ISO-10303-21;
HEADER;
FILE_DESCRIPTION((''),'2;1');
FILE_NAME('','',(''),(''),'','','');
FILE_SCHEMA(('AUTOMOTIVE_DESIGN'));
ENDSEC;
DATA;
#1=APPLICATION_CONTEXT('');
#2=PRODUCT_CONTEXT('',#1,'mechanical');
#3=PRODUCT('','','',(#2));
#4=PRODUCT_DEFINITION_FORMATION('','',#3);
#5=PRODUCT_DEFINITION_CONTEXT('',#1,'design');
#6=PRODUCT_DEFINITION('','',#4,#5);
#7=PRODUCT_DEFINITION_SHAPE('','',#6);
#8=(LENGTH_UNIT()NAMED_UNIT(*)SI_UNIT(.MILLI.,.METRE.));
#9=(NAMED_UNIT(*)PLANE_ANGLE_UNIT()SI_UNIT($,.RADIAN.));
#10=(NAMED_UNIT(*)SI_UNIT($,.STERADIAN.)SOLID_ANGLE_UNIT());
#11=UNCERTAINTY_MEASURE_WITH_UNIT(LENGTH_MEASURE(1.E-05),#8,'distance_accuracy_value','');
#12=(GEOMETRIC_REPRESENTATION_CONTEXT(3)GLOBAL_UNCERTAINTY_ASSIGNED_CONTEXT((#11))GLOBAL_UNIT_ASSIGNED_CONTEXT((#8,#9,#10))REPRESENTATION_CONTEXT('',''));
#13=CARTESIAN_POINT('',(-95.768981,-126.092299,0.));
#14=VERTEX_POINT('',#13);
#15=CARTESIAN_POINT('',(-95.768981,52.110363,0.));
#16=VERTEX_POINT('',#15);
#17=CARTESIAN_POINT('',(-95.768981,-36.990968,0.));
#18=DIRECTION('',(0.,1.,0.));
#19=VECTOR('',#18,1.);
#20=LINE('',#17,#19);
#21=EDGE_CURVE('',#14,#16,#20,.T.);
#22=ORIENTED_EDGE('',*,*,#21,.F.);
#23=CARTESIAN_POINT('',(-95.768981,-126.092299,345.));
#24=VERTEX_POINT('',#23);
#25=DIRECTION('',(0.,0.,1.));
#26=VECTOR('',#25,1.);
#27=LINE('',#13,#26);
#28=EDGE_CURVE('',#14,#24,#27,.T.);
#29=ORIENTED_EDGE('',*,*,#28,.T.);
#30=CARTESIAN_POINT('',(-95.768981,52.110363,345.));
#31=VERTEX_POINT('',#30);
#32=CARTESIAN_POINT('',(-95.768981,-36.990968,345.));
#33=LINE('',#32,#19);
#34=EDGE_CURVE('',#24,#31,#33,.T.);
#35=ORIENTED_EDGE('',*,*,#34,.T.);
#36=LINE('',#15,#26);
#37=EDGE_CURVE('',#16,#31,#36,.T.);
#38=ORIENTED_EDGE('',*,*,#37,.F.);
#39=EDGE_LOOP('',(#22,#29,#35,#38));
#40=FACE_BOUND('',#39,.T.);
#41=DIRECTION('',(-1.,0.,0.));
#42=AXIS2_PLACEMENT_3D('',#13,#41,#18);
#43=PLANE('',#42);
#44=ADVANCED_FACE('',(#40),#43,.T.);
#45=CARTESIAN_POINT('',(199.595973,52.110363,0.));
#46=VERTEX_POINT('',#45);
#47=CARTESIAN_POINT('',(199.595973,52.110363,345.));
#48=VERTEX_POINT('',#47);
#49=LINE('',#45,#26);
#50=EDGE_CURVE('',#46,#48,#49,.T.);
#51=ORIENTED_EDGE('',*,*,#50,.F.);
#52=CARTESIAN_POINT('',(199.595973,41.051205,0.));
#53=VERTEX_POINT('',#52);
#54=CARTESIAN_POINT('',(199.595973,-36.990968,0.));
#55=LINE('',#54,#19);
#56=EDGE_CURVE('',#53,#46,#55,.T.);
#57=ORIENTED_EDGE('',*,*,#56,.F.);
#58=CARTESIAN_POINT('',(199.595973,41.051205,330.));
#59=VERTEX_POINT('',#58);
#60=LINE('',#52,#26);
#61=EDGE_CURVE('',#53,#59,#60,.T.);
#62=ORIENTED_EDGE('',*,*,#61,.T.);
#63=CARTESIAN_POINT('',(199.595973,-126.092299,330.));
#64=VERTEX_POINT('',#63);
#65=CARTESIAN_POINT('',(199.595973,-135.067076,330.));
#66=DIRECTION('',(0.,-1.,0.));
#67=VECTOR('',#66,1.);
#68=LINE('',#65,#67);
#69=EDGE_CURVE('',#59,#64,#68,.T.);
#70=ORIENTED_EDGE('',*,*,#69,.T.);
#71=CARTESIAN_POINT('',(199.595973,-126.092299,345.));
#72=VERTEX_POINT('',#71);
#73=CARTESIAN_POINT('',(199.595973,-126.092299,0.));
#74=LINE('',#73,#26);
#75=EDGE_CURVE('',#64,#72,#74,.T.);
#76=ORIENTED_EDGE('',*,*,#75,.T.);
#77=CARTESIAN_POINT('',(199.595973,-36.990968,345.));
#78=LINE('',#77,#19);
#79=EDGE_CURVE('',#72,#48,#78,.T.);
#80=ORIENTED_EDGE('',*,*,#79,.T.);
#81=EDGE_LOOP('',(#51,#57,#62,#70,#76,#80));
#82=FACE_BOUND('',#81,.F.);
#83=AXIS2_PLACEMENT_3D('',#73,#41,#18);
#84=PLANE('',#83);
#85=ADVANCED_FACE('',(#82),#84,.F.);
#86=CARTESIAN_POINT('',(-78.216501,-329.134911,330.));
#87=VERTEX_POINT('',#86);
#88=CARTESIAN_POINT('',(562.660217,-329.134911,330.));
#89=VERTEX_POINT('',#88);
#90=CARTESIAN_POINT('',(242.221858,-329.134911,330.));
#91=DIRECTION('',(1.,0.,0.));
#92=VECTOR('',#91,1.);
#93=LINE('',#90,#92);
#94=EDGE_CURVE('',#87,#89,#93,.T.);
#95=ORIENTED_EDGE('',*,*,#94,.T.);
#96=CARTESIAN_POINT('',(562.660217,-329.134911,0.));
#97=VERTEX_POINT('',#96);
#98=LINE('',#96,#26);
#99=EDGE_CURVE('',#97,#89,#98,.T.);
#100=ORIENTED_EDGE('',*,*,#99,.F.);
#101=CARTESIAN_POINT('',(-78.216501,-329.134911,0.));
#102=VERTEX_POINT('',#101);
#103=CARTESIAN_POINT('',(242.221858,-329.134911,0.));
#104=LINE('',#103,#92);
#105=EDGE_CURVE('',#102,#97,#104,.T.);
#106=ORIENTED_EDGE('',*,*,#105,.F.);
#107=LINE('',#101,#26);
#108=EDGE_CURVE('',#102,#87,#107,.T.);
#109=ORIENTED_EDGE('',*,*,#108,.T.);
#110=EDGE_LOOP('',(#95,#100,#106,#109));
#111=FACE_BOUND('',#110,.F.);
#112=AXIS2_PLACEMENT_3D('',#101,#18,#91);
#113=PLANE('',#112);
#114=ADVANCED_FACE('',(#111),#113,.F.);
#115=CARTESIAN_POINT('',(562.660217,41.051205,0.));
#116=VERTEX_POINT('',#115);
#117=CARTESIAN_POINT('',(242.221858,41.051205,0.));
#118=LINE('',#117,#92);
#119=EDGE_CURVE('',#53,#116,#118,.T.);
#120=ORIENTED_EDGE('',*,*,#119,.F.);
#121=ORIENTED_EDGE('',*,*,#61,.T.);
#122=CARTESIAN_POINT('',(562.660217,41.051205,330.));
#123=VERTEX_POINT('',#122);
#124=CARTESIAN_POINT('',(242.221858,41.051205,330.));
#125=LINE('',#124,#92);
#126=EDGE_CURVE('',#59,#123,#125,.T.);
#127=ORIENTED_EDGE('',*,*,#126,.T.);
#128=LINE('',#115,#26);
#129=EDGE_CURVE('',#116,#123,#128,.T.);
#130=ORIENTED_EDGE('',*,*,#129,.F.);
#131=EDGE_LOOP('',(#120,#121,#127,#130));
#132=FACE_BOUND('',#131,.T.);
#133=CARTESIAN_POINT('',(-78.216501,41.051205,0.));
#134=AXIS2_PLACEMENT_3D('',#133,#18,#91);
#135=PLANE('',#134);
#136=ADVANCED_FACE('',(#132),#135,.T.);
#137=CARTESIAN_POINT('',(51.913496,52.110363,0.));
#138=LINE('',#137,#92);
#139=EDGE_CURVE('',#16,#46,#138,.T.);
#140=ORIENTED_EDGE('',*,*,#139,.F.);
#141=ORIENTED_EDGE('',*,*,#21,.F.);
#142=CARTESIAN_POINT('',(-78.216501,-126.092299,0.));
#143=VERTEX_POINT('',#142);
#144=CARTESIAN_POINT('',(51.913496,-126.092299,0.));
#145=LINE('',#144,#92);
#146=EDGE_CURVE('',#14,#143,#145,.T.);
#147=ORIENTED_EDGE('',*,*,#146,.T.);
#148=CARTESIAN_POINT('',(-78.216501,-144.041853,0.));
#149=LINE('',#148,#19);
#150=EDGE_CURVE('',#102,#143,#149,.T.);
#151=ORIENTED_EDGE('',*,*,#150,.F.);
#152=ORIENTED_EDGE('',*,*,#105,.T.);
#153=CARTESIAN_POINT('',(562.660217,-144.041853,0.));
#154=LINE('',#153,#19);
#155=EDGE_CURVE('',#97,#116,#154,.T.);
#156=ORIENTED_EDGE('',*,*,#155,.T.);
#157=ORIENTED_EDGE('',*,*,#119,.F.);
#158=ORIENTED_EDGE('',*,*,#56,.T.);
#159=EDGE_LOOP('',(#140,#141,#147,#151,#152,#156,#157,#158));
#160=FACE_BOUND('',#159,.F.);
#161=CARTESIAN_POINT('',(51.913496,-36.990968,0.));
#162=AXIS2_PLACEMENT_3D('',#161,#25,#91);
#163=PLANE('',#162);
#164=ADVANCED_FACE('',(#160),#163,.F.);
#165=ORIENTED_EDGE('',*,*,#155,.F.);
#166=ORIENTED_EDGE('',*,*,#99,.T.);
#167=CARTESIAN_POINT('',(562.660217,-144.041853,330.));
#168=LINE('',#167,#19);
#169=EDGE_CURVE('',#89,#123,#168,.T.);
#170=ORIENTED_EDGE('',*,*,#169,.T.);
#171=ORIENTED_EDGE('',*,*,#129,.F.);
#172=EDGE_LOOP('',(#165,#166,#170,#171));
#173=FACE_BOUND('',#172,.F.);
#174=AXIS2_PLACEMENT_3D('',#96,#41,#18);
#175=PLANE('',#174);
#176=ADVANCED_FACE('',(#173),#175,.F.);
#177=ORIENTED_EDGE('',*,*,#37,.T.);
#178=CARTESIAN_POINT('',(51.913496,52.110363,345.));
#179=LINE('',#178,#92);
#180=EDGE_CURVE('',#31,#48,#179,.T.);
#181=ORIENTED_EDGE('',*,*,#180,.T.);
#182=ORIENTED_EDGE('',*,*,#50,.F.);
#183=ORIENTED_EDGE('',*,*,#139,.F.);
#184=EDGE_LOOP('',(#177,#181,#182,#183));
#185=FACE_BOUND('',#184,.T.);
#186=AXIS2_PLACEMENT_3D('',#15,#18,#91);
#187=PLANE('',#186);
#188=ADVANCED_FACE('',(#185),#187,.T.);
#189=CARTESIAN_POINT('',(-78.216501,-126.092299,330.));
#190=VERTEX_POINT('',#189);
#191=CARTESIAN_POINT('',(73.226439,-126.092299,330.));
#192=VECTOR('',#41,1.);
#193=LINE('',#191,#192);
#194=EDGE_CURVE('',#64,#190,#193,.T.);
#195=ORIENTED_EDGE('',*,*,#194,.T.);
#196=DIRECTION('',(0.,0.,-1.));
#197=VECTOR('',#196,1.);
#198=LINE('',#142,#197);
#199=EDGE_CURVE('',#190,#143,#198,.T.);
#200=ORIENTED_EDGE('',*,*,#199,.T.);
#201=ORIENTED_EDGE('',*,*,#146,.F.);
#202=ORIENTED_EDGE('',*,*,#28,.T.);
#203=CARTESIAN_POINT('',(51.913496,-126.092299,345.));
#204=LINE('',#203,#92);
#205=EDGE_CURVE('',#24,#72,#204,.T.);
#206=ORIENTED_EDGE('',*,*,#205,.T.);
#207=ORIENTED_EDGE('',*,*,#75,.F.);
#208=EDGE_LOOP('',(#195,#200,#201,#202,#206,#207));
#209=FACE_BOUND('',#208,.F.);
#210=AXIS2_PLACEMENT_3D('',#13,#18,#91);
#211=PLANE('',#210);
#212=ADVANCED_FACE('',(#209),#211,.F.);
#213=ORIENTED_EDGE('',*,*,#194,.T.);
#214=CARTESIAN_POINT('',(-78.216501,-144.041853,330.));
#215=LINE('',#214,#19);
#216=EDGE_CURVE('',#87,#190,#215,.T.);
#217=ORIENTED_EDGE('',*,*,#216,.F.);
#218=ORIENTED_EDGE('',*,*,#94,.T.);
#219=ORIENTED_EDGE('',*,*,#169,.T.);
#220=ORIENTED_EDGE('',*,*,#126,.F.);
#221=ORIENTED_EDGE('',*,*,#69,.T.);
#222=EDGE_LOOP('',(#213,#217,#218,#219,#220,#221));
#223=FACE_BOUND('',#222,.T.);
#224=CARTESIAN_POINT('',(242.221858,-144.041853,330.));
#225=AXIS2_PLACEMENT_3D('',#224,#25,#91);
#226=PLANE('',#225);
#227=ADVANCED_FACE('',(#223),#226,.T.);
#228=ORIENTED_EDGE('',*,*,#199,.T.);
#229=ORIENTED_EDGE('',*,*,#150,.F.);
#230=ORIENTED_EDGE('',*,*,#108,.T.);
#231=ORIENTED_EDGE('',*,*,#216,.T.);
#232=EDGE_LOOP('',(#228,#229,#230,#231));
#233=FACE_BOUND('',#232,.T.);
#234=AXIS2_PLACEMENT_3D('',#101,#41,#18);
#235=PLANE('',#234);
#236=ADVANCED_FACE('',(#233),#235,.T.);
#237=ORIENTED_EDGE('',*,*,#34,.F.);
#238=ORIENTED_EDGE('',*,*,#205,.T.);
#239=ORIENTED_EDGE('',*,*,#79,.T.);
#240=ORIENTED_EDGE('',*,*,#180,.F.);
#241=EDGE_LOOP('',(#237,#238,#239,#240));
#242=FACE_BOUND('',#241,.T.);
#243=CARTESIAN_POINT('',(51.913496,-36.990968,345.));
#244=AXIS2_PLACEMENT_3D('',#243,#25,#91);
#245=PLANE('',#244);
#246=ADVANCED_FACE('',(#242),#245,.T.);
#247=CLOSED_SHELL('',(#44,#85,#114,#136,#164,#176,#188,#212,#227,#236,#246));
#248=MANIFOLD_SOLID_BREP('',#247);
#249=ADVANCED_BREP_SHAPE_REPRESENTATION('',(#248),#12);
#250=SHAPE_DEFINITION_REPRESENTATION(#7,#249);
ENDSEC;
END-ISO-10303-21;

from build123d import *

# Parameters (mm, degrees)
F1_W     = 640.876718
F1_H     = 370.186116
F2_DEPTH = 330
F0_W     = 295.364954
F0_H     = 178.202663
F3_DEPTH = 345


with BuildPart() as f2:
    # F1 (on Top) → F2 (new body)
    with BuildSketch(Plane.XY):
        with Locations((242.221858, -144.041853)):
            Rectangle(F1_W, F1_H)
    extrude(amount=F2_DEPTH)

    # F0 (on Top) → F3 (join)
    with BuildSketch(Plane.XY):
        with Locations((51.913496, -36.990968)):
            Rectangle(F0_W, F0_H)
    extrude(amount=F3_DEPTH)


solid = f2.part
